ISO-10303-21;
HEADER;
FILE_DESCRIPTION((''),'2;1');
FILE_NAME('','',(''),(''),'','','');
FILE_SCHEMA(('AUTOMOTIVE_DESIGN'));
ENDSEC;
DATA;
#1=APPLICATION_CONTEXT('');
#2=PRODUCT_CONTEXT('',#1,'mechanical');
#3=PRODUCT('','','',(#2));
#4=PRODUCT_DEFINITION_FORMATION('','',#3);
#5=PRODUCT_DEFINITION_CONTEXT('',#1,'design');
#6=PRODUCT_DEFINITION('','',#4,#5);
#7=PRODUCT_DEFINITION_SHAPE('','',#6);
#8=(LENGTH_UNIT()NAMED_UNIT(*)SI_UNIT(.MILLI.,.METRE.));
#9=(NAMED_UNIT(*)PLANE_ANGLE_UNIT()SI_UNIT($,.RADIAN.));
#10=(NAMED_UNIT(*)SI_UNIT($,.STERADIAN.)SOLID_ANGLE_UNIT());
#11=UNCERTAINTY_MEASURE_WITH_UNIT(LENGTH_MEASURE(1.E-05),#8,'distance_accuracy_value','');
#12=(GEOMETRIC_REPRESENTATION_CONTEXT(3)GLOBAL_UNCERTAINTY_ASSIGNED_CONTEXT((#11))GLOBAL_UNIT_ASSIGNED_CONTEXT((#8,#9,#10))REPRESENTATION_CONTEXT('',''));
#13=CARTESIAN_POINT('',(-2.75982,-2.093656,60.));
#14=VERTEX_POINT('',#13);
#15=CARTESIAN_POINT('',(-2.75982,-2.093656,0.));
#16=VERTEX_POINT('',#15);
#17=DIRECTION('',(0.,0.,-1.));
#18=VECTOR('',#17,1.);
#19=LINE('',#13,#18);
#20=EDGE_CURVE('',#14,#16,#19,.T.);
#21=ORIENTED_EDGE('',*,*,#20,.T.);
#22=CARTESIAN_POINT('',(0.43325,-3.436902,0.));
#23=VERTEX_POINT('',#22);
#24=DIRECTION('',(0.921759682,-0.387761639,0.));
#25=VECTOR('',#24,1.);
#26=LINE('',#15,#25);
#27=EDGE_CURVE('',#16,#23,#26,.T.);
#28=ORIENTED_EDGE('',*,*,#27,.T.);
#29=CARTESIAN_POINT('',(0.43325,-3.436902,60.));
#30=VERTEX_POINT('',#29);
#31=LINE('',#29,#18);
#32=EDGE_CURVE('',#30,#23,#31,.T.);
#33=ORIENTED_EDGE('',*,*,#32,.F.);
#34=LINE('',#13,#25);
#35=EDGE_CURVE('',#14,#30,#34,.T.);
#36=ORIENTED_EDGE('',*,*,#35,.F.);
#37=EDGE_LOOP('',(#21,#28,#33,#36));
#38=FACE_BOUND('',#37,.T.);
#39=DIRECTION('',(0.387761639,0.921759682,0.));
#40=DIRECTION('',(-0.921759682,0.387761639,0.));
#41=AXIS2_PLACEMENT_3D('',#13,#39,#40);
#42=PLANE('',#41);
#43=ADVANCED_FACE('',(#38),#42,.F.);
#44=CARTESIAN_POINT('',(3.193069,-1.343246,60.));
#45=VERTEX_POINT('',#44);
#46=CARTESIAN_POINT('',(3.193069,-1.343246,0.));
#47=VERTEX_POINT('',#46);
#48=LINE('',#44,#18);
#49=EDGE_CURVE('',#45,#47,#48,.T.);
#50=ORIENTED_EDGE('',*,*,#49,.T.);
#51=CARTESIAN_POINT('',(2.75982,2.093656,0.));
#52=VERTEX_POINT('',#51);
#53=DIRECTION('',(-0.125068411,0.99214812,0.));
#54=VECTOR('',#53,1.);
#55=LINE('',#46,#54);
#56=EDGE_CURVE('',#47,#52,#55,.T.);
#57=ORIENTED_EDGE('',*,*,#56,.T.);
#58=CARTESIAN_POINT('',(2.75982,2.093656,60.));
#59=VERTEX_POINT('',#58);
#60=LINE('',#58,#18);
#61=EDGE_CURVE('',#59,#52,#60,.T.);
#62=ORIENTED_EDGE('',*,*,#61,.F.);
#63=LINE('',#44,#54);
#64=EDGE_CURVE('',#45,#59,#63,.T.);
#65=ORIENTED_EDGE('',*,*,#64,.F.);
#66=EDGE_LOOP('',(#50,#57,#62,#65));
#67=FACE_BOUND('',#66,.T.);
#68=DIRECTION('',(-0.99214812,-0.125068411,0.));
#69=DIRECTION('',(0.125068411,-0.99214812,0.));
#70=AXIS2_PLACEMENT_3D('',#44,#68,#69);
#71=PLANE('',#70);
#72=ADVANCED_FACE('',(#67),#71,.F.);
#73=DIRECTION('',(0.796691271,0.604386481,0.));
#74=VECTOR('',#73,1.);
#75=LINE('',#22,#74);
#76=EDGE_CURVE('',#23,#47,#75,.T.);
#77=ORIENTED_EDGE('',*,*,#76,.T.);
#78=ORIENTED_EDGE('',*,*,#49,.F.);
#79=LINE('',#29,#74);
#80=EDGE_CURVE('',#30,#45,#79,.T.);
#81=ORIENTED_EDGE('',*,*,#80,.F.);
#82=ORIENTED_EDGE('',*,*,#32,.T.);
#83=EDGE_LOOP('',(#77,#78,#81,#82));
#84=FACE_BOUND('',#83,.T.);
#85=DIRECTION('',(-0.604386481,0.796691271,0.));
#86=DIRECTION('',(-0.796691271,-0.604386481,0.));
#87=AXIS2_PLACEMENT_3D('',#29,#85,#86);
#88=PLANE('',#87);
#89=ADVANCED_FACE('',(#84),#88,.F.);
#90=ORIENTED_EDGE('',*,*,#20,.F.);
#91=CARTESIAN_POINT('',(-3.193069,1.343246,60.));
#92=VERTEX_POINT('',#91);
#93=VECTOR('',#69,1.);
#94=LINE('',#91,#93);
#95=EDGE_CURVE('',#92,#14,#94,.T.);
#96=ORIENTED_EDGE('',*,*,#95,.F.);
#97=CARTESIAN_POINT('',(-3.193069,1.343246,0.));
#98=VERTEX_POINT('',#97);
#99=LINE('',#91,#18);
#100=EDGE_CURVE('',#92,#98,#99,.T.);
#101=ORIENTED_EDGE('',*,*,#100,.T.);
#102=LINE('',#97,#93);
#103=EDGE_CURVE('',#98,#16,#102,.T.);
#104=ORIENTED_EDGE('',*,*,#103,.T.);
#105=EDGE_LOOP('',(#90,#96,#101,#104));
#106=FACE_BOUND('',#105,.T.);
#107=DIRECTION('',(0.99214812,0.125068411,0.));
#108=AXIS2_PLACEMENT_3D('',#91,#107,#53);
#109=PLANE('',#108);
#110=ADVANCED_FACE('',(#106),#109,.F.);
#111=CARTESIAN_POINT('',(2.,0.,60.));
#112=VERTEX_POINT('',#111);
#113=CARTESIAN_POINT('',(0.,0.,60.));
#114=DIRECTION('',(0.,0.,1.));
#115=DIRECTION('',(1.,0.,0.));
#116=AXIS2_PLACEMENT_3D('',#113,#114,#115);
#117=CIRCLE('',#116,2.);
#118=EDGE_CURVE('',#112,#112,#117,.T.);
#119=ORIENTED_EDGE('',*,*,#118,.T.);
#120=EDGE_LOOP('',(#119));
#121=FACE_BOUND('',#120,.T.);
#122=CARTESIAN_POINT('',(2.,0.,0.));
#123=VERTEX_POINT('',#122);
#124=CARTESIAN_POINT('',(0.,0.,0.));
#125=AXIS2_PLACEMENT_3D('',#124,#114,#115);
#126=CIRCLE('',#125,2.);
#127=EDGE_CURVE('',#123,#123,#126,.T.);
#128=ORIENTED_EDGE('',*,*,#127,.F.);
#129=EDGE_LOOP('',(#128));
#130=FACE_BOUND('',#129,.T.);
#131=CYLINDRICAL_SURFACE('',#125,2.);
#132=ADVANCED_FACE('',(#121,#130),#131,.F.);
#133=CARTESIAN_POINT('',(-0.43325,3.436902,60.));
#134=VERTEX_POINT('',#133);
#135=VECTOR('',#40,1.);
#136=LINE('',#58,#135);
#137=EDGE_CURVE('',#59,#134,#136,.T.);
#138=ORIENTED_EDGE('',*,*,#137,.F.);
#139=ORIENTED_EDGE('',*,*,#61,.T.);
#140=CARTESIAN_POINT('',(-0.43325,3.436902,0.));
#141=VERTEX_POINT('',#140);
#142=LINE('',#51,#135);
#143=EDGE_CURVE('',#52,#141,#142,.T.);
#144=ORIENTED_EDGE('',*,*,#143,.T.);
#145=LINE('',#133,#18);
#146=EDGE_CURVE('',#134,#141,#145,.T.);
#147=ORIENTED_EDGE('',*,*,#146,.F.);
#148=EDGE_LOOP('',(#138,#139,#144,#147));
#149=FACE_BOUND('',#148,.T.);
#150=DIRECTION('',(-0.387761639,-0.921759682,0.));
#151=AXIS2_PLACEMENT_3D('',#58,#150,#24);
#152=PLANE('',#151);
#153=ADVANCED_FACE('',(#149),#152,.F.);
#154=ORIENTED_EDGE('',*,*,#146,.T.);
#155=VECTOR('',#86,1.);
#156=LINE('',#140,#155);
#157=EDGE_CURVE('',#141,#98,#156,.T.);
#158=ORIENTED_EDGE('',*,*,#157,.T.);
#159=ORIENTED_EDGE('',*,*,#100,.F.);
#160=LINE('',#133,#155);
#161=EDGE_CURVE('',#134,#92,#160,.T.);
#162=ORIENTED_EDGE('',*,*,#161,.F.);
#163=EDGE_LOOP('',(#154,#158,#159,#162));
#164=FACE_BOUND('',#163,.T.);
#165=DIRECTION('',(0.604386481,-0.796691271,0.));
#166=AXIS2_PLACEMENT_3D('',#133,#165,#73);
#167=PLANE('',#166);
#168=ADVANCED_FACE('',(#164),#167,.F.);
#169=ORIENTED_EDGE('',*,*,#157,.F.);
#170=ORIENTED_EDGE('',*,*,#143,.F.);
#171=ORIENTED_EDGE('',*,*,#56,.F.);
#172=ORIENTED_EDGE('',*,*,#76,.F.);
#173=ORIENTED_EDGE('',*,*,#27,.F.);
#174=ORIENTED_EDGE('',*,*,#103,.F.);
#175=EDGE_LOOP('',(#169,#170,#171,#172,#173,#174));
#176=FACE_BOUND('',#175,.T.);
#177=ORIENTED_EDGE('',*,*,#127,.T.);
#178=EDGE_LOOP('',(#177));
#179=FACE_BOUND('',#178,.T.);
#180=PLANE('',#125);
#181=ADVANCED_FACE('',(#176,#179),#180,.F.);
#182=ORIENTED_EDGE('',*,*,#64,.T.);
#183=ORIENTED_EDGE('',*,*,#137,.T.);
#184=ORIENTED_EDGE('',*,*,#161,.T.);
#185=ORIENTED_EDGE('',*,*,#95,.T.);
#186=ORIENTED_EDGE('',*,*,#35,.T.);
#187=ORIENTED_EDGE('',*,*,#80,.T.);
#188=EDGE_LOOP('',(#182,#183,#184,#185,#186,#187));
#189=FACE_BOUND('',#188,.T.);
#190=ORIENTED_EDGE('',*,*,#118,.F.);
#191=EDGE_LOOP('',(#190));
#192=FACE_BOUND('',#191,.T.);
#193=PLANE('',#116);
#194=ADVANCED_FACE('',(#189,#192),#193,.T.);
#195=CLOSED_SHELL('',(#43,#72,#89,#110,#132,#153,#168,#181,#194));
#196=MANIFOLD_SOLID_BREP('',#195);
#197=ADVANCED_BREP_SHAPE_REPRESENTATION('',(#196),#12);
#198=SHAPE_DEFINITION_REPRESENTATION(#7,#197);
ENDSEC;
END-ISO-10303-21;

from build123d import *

# Parameters (mm, degrees)
EXTRUDE_1_DEPTH          = 60
SKETCH_2_R               = 2
CUT_EXTRUDE_1_DEPTH      = 1
CUT_EXTRUDE_1_DEPTH_BACK = 61


with BuildPart() as part:
    # 草图1 → 凸台-拉伸1 (new body)
    with BuildSketch(Plane.XY):
        Polygon((2.759819518, 2.093656186), (-0.433249685, 3.436901906), (-3.193069203, 1.34324572), (-2.759819518, -2.093656186), (0.433249685, -3.436901906), (3.193069203, -1.34324572), align=None)
    extrude(amount=EXTRUDE_1_DEPTH)

    # 草图2 → 切除-拉伸1 (cut, two sides)
    with BuildSketch(Plane.XY.offset(60)) as cut_extrude_1_sk:
        Circle(SKETCH_2_R)
    extrude(amount=CUT_EXTRUDE_1_DEPTH, mode=Mode.SUBTRACT)
    extrude(cut_extrude_1_sk.sketch, amount=-CUT_EXTRUDE_1_DEPTH_BACK, mode=Mode.SUBTRACT)


solid = part.part
